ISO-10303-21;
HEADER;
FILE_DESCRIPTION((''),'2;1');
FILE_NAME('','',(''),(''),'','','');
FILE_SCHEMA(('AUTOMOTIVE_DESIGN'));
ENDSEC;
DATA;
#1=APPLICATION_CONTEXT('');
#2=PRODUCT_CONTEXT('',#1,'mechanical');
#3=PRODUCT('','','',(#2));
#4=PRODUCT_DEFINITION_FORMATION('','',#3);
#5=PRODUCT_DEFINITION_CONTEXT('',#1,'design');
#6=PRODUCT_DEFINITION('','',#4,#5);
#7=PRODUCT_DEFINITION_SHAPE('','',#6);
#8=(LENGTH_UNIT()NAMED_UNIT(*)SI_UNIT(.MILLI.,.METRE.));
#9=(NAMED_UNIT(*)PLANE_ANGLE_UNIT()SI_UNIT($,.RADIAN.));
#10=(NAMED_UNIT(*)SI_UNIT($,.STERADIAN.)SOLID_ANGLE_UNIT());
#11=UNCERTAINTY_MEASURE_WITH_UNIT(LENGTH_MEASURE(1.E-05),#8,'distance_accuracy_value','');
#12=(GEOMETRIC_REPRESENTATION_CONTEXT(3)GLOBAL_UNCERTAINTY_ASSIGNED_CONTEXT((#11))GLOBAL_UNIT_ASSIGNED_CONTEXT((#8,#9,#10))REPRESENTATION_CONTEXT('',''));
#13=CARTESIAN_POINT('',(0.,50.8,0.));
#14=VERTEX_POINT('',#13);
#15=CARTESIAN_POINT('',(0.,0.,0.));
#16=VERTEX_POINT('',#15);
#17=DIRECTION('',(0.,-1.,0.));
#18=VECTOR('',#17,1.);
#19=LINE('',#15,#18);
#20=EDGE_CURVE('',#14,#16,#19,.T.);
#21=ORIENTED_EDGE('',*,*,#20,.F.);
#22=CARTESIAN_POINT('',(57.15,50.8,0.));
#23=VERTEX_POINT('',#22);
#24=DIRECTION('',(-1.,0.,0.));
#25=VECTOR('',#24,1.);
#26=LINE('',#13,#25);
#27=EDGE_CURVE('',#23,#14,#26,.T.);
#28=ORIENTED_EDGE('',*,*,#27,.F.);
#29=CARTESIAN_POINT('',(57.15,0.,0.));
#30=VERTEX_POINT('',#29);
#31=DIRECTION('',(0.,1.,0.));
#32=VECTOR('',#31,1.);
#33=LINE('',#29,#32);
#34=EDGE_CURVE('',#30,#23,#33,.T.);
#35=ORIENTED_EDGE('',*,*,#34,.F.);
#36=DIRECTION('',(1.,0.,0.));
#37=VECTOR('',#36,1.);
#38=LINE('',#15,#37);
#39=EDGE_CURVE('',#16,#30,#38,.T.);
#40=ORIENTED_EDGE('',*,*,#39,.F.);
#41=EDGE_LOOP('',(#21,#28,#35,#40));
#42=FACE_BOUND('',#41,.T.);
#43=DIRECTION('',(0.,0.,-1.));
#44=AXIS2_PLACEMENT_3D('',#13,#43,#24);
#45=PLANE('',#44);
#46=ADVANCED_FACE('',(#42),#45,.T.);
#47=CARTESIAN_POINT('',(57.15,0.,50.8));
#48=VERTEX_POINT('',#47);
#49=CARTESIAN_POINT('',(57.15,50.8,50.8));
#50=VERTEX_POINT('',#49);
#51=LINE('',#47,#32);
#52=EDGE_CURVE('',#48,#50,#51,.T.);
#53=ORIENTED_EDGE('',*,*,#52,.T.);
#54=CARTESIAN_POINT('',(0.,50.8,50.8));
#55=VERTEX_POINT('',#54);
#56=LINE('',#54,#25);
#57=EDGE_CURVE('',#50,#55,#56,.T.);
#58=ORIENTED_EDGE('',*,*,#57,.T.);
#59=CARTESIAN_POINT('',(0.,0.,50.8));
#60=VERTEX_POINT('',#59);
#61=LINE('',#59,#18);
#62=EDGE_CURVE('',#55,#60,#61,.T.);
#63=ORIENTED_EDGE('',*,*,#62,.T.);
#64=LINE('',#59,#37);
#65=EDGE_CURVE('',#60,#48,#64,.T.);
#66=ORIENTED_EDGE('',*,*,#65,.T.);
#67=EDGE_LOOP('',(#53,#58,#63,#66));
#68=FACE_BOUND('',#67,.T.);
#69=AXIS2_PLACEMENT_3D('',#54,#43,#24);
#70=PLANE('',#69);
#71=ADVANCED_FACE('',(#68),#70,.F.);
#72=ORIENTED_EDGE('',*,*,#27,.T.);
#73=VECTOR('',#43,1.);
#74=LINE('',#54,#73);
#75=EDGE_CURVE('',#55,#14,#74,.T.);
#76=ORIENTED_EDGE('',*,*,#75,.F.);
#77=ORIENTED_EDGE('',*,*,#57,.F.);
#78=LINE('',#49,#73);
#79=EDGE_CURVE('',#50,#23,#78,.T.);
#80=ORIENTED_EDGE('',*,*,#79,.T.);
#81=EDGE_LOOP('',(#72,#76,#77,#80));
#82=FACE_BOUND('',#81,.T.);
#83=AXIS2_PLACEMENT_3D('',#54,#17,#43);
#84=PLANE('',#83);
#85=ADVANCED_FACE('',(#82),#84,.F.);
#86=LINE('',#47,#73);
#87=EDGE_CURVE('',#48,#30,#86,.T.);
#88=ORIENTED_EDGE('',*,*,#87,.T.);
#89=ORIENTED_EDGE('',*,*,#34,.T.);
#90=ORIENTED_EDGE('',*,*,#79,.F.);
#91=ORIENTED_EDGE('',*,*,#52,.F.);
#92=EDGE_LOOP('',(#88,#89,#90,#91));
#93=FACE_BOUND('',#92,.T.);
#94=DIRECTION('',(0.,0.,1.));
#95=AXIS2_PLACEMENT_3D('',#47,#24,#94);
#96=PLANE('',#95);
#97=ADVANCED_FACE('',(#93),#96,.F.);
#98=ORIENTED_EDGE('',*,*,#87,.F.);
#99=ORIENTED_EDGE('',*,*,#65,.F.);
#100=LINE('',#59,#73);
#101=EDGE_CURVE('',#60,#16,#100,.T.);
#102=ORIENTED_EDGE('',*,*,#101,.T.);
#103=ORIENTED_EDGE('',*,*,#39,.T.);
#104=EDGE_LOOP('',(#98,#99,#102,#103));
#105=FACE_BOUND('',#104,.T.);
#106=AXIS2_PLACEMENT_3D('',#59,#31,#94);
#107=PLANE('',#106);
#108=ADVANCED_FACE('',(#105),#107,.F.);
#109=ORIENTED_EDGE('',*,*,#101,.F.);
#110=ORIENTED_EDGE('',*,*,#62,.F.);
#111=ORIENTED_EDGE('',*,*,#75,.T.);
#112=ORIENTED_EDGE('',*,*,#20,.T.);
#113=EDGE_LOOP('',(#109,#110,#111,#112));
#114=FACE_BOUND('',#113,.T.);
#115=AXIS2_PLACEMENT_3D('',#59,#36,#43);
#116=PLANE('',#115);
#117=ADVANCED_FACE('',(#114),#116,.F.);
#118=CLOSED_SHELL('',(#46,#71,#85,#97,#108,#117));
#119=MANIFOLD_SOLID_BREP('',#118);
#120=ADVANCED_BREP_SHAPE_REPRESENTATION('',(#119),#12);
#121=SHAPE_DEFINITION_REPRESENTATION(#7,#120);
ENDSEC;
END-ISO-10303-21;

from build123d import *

# Parameters (mm, degrees)
SKETCH1_W          = 57.15
SKETCH1_H          = 50.8
BASE_EXTRUDE_DEPTH = 50.8


with BuildPart() as part:
    # Sketch1 → Base-Extrude (new body)
    with BuildSketch(Plane.XY):
        with Locations((28.575, 25.4)):
            Rectangle(SKETCH1_W, SKETCH1_H)
    extrude(amount=BASE_EXTRUDE_DEPTH)


solid = part.part
